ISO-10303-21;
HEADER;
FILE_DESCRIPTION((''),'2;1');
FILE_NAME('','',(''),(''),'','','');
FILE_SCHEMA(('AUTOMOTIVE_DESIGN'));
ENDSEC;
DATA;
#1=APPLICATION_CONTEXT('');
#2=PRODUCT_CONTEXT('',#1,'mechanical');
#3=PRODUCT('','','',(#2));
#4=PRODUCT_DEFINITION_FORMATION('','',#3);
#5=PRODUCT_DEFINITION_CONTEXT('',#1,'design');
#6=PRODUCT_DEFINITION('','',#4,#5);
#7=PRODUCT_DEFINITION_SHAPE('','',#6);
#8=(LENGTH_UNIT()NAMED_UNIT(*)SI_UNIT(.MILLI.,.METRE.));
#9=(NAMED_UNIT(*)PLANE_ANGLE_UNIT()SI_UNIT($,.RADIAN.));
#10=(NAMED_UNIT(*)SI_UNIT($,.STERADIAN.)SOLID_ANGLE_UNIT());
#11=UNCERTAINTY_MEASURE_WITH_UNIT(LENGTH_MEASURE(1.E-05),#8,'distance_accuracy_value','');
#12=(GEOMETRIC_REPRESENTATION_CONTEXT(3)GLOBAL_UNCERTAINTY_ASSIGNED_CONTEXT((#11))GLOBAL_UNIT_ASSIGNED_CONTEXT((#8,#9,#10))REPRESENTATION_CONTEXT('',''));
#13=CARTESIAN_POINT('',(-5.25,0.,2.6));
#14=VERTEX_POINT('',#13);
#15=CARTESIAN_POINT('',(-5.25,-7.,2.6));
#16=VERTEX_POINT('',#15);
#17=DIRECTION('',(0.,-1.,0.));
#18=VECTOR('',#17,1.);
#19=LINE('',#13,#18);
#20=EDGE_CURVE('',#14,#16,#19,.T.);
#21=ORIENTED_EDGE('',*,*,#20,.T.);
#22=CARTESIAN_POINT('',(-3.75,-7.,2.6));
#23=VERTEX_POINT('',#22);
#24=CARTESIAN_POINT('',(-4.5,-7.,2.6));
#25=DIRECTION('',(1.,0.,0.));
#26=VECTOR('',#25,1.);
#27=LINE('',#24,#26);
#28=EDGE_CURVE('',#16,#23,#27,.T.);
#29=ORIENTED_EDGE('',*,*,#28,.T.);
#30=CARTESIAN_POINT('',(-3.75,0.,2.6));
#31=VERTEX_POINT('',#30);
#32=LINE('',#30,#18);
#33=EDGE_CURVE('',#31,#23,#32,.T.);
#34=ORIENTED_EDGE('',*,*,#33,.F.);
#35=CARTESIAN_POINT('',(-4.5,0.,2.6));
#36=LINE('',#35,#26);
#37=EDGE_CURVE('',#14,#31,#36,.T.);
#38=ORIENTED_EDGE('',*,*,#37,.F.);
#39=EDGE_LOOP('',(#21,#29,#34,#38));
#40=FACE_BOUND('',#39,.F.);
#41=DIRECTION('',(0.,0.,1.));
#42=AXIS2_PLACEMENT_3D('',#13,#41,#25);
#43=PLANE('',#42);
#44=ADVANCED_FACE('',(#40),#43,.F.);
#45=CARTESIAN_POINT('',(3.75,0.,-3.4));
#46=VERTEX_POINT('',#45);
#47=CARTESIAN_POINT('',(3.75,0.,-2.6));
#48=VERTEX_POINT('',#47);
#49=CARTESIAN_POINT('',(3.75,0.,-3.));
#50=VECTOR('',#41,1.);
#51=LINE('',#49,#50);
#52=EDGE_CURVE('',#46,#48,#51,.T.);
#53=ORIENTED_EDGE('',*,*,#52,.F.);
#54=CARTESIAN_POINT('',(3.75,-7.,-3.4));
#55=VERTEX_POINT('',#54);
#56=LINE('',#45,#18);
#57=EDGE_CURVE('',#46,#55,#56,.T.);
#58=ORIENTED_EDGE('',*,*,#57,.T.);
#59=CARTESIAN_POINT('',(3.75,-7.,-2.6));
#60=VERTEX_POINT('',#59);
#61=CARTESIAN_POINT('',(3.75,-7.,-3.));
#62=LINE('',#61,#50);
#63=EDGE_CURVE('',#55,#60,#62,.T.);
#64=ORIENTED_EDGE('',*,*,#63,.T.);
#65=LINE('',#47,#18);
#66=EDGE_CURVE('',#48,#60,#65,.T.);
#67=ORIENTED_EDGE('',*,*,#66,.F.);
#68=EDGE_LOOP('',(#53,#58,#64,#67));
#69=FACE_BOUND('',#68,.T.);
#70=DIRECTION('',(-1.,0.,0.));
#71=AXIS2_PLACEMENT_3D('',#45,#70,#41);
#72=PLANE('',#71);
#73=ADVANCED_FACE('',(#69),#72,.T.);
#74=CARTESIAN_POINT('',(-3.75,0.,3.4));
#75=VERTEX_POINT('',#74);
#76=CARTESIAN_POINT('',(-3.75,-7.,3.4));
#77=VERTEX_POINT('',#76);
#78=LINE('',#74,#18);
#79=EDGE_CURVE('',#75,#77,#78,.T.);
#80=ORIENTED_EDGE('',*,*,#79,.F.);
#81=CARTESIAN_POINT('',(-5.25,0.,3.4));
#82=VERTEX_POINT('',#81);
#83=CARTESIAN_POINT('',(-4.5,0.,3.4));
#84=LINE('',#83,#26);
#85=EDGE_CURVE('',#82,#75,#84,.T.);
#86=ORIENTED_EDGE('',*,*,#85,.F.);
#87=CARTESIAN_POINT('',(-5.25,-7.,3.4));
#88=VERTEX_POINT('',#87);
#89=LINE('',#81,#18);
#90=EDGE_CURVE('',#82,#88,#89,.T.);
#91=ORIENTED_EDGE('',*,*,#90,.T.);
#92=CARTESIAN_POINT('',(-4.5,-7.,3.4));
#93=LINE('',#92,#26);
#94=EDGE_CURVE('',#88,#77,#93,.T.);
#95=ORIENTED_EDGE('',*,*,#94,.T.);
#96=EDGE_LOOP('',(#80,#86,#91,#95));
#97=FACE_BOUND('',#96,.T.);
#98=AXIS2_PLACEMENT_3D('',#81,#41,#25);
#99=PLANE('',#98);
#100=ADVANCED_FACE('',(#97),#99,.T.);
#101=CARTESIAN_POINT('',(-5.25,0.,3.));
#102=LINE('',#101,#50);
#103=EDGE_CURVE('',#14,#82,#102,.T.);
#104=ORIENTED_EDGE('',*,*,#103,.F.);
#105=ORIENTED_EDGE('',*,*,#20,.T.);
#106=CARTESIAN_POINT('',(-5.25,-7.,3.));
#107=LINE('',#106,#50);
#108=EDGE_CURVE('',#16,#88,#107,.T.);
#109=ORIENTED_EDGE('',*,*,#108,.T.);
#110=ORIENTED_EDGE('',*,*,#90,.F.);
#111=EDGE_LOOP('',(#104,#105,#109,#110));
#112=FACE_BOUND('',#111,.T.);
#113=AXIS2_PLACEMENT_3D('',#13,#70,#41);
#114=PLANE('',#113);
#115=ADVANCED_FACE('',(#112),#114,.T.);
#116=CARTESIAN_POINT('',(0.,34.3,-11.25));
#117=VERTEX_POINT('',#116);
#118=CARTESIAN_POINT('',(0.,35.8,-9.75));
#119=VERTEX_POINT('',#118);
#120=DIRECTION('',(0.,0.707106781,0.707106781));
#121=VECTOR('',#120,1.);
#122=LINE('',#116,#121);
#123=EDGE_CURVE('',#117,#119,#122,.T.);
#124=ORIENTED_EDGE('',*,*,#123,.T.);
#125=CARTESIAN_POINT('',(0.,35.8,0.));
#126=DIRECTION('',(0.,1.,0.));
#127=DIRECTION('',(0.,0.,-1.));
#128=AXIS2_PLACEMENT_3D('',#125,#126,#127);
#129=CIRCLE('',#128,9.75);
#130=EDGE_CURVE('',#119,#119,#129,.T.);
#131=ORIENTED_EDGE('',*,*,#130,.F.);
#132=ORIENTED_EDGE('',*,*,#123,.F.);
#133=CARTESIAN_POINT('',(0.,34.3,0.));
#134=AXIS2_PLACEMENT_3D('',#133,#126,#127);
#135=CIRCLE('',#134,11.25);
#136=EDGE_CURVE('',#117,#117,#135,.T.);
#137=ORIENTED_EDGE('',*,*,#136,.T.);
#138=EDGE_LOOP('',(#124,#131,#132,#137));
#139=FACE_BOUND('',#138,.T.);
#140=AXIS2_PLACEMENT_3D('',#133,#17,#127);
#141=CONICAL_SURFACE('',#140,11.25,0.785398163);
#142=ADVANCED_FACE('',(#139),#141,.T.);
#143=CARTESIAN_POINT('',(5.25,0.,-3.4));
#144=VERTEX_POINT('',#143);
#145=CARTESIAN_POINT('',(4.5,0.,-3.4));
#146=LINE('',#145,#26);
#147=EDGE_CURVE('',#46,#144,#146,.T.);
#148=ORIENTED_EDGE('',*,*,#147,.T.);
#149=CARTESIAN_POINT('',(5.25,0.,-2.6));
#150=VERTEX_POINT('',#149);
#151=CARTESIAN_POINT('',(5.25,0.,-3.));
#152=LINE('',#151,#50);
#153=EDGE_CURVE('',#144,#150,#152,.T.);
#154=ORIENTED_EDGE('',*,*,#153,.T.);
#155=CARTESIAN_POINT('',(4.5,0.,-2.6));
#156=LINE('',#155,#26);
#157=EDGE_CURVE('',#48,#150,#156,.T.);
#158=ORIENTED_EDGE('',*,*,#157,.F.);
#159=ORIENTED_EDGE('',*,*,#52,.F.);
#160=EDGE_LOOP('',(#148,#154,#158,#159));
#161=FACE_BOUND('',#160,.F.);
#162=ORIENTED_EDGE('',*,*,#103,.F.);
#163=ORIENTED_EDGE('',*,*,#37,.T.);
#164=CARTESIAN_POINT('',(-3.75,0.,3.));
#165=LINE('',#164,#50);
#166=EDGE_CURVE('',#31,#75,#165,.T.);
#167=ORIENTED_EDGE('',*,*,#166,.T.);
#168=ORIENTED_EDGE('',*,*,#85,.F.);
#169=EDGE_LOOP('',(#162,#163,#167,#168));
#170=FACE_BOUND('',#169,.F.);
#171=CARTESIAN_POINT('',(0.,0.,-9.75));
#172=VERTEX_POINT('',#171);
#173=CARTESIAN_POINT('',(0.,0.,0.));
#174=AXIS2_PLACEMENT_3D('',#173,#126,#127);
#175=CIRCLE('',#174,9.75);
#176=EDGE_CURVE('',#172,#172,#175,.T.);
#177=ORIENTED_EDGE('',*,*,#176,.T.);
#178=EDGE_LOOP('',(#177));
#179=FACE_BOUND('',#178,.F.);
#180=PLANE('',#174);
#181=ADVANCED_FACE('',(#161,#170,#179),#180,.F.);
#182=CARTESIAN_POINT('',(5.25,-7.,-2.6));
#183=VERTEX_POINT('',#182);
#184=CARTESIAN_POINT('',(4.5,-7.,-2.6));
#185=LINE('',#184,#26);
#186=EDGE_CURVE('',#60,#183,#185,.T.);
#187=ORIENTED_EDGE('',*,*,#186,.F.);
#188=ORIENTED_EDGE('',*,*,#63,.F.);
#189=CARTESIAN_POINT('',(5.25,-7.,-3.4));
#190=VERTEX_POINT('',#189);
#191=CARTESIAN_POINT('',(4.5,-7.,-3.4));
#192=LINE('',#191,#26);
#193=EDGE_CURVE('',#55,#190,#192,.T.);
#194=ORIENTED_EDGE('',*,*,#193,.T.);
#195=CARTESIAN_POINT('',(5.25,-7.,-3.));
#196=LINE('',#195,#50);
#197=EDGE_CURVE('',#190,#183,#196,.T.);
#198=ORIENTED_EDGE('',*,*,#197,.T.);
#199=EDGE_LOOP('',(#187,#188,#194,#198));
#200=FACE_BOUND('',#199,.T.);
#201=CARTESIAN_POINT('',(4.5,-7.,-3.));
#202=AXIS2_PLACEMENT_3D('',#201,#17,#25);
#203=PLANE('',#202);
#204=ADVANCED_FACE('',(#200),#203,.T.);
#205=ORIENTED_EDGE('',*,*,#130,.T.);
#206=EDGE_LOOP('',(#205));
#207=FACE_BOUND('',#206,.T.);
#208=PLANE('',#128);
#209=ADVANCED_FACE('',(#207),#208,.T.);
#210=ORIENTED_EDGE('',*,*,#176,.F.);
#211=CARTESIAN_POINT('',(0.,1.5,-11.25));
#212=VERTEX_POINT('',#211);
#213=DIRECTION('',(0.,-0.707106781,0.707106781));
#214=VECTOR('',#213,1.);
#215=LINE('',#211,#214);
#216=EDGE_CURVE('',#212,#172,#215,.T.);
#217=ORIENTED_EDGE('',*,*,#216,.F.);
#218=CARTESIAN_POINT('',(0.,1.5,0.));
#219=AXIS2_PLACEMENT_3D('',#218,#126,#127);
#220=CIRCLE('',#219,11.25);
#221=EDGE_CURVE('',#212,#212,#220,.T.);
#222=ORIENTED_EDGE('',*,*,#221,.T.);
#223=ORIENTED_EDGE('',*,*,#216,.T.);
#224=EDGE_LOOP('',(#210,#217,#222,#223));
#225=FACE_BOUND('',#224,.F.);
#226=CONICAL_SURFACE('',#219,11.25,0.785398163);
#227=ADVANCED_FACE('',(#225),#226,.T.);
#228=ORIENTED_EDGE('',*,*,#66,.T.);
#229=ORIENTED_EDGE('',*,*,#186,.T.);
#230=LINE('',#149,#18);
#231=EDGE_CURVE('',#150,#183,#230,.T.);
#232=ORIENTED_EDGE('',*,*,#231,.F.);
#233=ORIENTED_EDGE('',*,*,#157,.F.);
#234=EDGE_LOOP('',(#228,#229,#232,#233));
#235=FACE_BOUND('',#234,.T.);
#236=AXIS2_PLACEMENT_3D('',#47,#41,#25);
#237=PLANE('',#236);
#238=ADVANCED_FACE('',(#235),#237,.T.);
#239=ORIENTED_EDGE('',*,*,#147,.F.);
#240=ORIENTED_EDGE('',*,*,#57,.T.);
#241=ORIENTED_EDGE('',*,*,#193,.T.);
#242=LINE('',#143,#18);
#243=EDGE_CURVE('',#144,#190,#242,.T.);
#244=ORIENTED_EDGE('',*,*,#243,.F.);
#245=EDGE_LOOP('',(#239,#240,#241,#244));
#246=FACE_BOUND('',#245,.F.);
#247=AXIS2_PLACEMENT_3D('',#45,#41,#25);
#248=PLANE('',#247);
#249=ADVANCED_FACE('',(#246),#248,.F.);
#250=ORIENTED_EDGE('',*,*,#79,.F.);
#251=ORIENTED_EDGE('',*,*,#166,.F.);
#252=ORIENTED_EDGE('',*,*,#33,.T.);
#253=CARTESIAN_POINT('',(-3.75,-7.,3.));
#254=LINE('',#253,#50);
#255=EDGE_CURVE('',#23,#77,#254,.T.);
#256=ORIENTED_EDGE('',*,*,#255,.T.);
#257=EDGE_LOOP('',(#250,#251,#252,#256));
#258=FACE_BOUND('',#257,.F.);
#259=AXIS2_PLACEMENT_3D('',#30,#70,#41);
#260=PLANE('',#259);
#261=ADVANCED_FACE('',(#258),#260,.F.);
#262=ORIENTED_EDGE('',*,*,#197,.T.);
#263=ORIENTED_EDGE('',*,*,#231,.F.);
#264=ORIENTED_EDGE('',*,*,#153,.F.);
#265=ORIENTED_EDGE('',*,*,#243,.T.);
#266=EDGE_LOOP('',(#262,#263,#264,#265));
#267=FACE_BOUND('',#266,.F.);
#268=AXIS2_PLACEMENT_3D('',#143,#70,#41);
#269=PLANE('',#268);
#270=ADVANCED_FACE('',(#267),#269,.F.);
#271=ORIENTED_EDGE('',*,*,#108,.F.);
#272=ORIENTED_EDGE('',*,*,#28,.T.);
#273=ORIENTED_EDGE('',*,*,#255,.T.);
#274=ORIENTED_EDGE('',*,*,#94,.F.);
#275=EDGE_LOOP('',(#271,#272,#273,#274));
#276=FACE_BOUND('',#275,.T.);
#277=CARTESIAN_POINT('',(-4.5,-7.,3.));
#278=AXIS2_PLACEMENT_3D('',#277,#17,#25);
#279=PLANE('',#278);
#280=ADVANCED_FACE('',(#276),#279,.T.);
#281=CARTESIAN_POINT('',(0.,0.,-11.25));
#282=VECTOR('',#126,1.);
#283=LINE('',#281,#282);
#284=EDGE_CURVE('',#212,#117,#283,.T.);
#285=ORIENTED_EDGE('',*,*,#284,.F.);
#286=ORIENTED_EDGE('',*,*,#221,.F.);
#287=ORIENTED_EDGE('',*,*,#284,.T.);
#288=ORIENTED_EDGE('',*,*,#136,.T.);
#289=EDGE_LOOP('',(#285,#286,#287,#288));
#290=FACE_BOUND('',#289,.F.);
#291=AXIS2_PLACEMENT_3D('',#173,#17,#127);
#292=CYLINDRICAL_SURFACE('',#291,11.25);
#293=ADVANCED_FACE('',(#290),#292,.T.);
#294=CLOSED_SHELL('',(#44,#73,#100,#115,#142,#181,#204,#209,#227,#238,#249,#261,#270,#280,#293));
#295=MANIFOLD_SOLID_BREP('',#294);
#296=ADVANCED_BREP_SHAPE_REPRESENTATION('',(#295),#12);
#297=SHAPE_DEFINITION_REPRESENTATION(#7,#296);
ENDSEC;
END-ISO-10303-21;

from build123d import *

# Parameters (mm, degrees)
CROQUIS1_R              = 11.25
SALIENTE_EXTRUIR1_DEPTH = 35.8
CHAFL_N1_SIZE           = 1.5
CROQUIS3_W              = 1.5
CROQUIS3_H              = 0.8
SALIENTE_EXTRUIR2_DEPTH = 7


with BuildPart() as part:
    # Croquis1 → Saliente-Extruir1 (new body)
    with BuildSketch(Plane(origin=(0, 0, 0), x_dir=(1, 0, 0), z_dir=(0, 1, 0))):
        with Locations(Location((0, 0, 0), (0, 0, 90))):
            Circle(CROQUIS1_R)
    extrude(amount=SALIENTE_EXTRUIR1_DEPTH)

    # Chaflán1
    chafl_n1_edges = [part.edges().sort_by_distance(p)[0] for p in [
        (0, 0, 11.25),
        (0, 35.8, 11.25),
    ]]
    chamfer(chafl_n1_edges, length=CHAFL_N1_SIZE)

    # Croquis3 → Saliente-Extruir2 (add)
    with BuildSketch(Plane.XZ):
        with Locations((-4.5, 3)):
            Rectangle(CROQUIS3_W, CROQUIS3_H)
        with Locations((4.5, -3)):
            Rectangle(CROQUIS3_W, CROQUIS3_H)
    extrude(amount=SALIENTE_EXTRUIR2_DEPTH)


solid = part.part
